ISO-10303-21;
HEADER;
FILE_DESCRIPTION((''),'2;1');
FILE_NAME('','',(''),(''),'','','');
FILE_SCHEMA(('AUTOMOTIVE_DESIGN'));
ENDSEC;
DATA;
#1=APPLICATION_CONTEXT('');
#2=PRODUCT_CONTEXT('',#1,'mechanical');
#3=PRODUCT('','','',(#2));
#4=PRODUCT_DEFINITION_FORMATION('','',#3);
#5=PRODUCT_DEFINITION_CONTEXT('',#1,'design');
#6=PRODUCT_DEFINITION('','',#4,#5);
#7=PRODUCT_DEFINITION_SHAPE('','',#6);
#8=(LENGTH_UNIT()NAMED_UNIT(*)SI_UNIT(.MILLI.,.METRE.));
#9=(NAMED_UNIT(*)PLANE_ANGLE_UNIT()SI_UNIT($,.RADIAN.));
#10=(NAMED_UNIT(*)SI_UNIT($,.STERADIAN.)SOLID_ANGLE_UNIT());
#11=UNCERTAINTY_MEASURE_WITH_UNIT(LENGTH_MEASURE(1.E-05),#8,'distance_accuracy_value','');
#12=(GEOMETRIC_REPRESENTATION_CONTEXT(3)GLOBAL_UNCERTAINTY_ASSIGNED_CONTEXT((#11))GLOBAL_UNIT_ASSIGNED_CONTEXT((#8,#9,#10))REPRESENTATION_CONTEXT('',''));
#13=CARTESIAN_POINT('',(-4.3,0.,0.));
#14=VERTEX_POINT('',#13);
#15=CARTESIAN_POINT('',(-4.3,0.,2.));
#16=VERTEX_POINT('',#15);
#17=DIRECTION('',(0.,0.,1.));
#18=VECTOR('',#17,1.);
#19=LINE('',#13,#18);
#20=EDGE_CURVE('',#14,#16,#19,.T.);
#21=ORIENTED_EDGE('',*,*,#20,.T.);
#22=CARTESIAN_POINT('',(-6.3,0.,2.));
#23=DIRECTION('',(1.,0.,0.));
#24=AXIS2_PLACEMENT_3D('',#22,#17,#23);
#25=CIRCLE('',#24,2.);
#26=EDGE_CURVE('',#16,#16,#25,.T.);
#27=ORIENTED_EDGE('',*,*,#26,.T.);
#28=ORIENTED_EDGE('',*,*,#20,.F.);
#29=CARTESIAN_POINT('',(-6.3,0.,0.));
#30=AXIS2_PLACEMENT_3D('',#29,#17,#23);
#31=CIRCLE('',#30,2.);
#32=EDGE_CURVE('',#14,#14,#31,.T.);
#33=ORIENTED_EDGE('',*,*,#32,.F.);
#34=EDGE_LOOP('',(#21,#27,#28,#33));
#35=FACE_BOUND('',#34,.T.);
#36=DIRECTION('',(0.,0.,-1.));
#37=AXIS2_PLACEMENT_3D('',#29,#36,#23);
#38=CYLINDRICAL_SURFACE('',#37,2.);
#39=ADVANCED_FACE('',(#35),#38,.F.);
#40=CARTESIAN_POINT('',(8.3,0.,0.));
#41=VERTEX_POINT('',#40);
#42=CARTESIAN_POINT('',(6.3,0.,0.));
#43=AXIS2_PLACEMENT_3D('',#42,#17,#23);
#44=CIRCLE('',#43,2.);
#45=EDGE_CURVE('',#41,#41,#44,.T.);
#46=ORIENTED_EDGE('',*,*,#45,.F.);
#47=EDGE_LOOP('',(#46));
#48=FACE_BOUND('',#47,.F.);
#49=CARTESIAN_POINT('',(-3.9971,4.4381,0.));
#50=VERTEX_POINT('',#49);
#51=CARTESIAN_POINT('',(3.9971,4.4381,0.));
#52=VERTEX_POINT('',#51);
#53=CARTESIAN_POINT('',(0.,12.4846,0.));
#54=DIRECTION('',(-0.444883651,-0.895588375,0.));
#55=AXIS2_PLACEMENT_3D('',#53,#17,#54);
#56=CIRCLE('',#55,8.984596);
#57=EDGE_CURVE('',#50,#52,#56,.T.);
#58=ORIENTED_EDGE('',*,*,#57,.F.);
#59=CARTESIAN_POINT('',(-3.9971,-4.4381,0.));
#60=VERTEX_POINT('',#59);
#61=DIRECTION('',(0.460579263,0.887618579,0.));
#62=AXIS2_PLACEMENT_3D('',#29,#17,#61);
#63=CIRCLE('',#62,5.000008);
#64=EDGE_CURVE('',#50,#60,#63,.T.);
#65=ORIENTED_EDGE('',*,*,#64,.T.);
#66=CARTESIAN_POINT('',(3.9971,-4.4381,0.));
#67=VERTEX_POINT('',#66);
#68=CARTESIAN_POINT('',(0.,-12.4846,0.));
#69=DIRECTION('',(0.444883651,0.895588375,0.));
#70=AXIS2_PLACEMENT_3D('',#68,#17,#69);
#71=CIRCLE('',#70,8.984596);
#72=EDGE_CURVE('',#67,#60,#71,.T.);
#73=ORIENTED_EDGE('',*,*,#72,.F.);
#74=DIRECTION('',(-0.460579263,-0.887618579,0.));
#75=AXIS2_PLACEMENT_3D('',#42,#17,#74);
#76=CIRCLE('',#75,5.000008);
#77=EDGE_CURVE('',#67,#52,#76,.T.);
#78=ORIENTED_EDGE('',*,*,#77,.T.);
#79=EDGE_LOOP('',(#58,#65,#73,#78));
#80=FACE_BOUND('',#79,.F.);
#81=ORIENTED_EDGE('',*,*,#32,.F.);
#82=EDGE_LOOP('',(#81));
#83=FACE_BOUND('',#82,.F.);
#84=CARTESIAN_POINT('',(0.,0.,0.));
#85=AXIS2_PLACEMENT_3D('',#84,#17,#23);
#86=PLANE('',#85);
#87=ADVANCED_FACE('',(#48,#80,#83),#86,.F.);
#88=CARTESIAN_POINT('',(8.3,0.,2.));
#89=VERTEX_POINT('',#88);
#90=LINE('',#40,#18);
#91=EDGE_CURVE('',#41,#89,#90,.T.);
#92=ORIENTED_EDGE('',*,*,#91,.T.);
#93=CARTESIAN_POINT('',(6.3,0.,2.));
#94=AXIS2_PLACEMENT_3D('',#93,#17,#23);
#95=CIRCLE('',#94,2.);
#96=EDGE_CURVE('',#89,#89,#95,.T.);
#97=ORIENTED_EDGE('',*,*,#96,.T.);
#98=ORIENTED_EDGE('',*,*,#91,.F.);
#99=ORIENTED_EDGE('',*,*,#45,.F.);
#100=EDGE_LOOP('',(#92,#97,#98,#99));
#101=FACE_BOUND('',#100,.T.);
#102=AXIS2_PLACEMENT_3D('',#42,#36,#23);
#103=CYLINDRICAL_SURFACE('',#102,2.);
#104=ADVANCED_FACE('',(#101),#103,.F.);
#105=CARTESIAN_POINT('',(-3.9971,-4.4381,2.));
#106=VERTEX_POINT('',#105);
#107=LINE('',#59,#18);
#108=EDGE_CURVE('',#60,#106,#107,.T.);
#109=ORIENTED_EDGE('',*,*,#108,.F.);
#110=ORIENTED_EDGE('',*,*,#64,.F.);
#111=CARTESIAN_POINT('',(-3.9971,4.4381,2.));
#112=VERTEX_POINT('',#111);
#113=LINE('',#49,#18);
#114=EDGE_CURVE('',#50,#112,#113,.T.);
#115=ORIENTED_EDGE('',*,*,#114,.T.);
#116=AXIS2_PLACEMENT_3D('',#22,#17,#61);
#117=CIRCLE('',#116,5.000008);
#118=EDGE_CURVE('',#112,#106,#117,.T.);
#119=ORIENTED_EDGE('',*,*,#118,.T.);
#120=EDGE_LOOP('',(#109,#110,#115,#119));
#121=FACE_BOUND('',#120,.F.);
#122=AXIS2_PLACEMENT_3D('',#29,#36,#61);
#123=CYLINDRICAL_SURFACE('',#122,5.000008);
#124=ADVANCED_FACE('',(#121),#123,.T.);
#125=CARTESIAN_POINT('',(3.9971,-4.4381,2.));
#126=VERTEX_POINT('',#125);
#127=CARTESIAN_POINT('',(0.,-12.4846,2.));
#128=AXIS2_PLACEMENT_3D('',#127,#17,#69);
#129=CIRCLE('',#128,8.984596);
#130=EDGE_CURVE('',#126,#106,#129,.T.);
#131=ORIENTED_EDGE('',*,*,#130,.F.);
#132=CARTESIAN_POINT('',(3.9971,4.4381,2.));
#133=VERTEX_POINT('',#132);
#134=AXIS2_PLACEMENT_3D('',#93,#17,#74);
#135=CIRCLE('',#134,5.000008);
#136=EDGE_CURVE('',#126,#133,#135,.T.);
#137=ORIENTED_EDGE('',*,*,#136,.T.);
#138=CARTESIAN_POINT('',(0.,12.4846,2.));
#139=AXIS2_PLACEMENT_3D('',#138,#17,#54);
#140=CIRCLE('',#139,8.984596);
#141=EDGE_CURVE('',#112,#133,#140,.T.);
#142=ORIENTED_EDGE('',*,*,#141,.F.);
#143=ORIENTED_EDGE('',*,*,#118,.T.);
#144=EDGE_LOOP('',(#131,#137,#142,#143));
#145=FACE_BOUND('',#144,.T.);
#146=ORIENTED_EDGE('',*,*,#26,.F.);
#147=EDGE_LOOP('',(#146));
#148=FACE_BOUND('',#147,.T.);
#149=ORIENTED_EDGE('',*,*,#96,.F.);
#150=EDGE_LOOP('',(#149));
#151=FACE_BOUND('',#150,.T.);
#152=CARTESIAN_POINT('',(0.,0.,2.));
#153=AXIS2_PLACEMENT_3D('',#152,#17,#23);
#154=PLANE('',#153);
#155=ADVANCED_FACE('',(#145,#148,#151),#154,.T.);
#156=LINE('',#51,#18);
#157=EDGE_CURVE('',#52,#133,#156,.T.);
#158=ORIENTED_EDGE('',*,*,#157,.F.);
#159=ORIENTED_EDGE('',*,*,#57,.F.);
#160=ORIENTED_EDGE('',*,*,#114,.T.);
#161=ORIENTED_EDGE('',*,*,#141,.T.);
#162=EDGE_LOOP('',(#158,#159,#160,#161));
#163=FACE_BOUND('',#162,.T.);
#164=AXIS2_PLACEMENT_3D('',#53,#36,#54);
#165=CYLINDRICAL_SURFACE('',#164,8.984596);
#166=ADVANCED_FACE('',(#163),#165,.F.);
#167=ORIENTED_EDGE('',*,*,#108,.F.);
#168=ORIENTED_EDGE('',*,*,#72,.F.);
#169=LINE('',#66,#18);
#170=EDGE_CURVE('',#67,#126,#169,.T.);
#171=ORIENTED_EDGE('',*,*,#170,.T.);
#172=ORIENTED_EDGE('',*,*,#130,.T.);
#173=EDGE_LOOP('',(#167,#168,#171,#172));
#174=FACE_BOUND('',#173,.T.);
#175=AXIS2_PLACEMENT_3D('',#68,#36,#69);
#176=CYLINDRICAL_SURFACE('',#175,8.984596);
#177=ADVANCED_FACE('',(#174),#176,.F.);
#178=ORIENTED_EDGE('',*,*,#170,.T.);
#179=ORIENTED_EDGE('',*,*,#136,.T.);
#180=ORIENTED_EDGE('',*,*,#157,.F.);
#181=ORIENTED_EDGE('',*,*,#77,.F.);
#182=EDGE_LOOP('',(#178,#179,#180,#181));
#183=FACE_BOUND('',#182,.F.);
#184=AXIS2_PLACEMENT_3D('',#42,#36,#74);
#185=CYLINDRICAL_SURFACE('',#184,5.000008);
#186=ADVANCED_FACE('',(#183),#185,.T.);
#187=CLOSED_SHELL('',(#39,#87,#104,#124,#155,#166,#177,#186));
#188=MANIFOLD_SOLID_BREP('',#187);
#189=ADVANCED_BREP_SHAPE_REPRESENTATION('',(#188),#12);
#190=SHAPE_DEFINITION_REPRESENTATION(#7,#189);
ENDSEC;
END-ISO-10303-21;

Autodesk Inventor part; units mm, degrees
ref_plane "YZ Plane" through (0, 0, 0) normal (1, 0, 0) x (0, 1, 0)
ref_plane "XZ Plane" through (0, 0, 0) normal (0, 1, 0) x (-1, 0, 0)
ref_plane "XY Plane" through (0, 0, 0) normal (0, 0, 1) x (1, 0, 0)
sketch "Sketch1" plane through (0, 0, 0) normal (0, 0, 1) x (1, 0, 0)
  line L0 (-6.3, 0) -> (6.3, 0) construction
  circle A0 centre (-6.3, 0) radius 2
  circle A1 centre (6.3, 0) radius 2
  arc A2 (-3.9971, 4.4381) -> (-3.9971, -4.4381) centre (-6.3, 0) ccw
  arc A3 (3.9971, -4.4381) -> (3.9971, 4.4381) centre (6.3, 0) ccw
  line L1 (0, 0) -> (0, 3.5) construction
  line L2 (0, 0) -> (0, -3.5) construction
  arc A4 (-3.9971, 4.4381) -> (3.9971, 4.4381) centre (0, 12.4846) ccw
  arc A5 (3.9971, -4.4381) -> (-3.9971, -4.4381) centre (0, -12.4846) ccw
  point P0 (4.1509, 4.5146)
  point P1 (-4.1509, 4.5146)
  point P2 (4.1509, -4.5146)
  point P3 (-4.1509, -4.5146)
  dimension "d0" = 12.6
  dimension "d1" = 4
  dimension "d2" = 4
  dimension "d3" = 10
  dimension "d4" = 10
  dimension "d5" = 3.5
extrude "Extrusion1" add sketch "Sketch1" along normal blind 2
properties part number "Concha1"
